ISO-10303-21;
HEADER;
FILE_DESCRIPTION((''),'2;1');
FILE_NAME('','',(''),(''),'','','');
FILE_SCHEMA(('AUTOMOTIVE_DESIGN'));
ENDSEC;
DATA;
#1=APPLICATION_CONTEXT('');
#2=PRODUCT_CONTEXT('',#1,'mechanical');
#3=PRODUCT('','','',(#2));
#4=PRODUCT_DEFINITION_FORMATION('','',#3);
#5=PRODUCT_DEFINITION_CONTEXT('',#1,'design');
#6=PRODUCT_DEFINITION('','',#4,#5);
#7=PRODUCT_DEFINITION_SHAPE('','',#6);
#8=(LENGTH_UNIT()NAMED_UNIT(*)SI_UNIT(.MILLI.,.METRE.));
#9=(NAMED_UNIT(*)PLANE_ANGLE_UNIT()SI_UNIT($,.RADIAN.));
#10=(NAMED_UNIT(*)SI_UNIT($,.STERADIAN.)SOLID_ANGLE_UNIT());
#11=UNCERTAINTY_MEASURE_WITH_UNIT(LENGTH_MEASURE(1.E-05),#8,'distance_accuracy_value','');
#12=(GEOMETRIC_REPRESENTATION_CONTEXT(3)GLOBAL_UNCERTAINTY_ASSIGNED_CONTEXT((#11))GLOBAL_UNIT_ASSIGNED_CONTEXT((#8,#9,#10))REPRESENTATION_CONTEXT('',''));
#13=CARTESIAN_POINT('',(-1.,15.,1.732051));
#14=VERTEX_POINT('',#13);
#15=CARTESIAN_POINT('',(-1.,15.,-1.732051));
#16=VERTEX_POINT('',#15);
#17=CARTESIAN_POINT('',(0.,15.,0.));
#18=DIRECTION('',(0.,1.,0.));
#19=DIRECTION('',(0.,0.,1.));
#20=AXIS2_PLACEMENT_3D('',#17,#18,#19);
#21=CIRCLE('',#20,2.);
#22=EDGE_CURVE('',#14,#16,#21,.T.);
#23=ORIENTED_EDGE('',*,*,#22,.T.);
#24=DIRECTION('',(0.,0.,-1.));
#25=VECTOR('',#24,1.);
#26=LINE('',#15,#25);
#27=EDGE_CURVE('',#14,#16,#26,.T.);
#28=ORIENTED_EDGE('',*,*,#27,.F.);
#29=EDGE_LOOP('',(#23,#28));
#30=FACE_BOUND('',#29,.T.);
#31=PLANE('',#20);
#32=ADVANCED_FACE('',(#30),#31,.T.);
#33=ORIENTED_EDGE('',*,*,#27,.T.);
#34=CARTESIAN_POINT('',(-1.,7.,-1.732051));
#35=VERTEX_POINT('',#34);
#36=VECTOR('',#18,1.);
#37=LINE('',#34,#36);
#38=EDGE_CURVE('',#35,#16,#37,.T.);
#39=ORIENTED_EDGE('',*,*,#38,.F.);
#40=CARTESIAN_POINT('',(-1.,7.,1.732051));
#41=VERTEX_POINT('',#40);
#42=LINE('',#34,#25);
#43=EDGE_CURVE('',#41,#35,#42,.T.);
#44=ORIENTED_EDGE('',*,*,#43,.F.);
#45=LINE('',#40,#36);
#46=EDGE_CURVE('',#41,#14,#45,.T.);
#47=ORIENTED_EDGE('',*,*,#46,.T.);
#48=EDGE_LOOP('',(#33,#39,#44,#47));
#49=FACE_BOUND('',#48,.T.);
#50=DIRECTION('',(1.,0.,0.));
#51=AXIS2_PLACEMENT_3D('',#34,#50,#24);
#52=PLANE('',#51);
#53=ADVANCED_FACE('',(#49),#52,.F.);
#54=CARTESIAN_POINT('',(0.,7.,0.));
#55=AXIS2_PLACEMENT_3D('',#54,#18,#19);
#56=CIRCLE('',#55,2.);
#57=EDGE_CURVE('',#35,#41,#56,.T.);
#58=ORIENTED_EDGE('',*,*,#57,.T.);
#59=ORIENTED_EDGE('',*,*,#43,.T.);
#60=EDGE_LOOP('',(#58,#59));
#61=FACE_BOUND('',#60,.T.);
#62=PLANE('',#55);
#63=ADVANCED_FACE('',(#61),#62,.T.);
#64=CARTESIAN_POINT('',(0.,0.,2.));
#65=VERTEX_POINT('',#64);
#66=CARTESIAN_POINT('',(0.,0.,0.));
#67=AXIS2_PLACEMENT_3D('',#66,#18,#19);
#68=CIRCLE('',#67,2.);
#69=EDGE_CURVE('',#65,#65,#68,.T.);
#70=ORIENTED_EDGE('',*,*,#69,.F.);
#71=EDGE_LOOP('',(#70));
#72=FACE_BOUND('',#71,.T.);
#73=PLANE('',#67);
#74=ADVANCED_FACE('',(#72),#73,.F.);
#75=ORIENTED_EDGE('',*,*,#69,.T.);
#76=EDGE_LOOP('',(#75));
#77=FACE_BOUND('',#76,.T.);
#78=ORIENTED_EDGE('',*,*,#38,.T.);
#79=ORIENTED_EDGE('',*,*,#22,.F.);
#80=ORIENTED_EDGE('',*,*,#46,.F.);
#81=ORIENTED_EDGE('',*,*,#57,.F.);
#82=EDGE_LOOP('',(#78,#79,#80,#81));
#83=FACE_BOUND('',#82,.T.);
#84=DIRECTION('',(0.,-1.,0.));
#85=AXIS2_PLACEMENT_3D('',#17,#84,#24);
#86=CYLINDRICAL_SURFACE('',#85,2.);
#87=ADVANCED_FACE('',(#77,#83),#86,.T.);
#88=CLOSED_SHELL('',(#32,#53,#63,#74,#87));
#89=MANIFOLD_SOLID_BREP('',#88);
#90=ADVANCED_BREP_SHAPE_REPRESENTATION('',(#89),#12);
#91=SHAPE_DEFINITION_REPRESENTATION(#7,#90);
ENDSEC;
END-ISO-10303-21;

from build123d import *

# Parameters (mm, degrees)
SKETCH1_R           = 2
BOSS_EXTRUDE1_DEPTH = 15
CUT_EXTRUDE1_START  = -8
CUT_EXTRUDE1_DEPTH  = 8


with BuildPart() as part:
    # Sketch1 → Boss-Extrude1 (new body)
    with BuildSketch(Plane(origin=(0, 0, 0), x_dir=(1, 0, 0), z_dir=(0, 1, 0))):
        with Locations(Location((0, 0, 0), (0, 0, 270))):
            Circle(SKETCH1_R)
    extrude(amount=BOSS_EXTRUDE1_DEPTH)

    # Sketch2 → Cut-Extrude1 (cut)
    with BuildSketch(Plane(origin=(0, 15, 0), x_dir=(1, 0, 0), z_dir=(0, 1, 0)).offset(CUT_EXTRUDE1_START)):
        with BuildLine():
            Line((-1, 1.732050808), (-1, -1.732050808))
            ThreePointArc((-1, -1.732050808), (-2, 0), (-1, 1.732050808))
        make_face()
    extrude(amount=CUT_EXTRUDE1_DEPTH, mode=Mode.SUBTRACT)


solid = part.part
